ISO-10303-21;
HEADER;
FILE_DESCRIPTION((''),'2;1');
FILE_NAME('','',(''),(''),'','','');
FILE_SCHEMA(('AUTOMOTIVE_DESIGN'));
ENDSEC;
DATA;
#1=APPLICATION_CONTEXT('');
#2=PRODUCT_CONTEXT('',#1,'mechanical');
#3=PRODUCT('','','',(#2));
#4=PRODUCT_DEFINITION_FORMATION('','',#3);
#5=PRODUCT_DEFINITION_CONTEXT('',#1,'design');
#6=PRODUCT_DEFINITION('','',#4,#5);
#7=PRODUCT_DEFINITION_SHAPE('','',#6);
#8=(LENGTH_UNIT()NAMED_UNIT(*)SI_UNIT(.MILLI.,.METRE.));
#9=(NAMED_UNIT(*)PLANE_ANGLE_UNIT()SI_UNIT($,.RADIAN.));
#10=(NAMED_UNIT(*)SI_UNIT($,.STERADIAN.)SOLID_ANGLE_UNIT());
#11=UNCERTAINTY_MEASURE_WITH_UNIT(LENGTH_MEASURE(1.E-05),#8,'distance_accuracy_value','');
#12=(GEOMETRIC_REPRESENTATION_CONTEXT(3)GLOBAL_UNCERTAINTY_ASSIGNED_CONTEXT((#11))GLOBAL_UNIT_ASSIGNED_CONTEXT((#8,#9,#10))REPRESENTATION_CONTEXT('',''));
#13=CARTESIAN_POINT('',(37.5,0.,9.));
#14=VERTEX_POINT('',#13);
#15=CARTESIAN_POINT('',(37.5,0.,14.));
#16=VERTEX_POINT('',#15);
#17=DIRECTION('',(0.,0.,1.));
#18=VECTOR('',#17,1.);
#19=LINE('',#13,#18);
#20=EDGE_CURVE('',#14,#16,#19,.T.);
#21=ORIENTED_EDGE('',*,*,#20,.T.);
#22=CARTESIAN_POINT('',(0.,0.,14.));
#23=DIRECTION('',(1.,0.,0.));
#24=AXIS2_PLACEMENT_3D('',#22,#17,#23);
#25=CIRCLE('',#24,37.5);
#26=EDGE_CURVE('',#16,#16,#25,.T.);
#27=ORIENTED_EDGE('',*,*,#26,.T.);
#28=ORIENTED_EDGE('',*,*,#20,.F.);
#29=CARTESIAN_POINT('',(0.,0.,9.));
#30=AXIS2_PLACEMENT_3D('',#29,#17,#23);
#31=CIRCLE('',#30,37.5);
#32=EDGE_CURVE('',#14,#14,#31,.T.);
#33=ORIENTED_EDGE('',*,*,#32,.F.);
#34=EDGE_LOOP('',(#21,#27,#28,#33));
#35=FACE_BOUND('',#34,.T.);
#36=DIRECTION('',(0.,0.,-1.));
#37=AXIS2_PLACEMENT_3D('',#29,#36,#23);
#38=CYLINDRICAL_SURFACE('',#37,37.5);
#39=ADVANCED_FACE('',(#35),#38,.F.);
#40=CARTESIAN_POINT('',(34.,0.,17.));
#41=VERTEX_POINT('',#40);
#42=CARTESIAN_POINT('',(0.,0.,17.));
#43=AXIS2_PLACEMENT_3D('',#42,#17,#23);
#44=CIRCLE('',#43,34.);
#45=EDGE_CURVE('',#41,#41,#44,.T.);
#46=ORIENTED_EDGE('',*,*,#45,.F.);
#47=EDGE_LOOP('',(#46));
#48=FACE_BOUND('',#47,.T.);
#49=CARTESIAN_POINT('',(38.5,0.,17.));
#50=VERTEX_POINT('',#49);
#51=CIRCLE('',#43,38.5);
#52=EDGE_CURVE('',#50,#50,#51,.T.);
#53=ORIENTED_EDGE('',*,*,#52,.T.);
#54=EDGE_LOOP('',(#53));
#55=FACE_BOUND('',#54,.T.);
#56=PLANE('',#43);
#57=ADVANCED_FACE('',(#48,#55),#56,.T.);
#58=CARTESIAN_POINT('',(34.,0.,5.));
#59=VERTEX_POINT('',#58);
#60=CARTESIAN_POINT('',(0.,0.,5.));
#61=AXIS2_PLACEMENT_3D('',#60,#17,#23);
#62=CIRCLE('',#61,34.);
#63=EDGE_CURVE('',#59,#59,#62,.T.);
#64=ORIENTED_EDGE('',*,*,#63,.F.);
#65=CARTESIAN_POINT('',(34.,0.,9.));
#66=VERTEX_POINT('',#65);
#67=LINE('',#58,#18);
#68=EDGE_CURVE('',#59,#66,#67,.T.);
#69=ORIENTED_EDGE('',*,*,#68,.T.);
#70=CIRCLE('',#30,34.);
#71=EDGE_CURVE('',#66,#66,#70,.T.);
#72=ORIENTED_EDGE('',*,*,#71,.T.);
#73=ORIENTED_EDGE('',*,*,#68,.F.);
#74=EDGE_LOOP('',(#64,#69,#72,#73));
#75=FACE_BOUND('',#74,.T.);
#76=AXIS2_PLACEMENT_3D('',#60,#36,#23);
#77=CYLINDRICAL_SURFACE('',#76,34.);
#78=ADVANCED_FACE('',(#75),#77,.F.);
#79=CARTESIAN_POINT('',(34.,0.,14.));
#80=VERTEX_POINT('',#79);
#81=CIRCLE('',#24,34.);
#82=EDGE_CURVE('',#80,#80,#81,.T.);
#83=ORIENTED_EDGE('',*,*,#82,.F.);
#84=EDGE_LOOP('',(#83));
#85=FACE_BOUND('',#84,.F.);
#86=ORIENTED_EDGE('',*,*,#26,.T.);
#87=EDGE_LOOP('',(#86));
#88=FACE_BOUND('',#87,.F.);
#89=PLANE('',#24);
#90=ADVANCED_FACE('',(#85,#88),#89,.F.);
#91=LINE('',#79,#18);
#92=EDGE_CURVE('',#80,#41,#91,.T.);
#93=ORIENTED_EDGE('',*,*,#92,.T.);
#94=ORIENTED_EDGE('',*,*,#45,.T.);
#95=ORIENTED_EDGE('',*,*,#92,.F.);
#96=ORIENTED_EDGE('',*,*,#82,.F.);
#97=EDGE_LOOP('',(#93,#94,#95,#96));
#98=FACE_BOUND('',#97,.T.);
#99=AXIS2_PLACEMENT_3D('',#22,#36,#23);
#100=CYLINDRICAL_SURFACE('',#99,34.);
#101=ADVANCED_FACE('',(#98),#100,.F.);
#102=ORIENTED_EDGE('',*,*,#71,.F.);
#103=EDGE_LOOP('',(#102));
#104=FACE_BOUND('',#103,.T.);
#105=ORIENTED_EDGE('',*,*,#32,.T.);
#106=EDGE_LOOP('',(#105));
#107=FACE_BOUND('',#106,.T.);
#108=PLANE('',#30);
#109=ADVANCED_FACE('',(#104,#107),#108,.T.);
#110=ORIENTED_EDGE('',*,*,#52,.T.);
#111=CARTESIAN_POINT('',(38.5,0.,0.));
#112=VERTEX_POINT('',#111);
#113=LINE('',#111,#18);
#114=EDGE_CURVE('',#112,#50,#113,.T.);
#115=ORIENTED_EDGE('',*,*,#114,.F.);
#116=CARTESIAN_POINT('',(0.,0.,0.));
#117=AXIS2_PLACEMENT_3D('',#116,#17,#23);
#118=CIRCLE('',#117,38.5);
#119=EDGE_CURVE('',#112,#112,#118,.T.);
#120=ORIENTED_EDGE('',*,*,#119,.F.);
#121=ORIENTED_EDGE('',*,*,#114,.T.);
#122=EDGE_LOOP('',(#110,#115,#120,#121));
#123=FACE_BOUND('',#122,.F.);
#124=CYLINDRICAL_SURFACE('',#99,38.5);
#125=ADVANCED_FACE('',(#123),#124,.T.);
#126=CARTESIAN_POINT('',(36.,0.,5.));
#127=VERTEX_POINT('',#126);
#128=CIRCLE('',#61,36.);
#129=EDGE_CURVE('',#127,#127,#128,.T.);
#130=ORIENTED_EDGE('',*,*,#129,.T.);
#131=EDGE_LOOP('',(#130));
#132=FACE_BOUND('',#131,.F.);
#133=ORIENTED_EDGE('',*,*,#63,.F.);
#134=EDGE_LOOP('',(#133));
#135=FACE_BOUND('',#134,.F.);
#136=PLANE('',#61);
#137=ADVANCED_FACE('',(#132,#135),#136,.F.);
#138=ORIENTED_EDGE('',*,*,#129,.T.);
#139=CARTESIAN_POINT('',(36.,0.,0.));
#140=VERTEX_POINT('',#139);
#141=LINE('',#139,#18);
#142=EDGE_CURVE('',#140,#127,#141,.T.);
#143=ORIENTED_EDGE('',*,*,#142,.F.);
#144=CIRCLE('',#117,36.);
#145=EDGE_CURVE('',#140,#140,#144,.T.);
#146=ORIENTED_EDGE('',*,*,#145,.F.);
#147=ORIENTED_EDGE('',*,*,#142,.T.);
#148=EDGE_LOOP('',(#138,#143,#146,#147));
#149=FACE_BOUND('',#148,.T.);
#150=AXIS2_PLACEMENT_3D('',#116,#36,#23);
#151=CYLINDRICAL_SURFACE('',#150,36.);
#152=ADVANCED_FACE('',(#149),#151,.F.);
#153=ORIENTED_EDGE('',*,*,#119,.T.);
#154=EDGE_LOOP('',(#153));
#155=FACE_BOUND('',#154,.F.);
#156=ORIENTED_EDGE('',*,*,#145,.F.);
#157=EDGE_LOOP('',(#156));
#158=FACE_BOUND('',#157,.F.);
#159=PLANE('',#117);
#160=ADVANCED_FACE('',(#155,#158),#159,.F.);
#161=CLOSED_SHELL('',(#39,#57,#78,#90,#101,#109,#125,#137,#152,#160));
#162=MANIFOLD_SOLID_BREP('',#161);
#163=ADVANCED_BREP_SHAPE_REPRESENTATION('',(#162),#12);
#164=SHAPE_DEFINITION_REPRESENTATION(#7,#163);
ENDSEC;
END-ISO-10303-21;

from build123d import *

# Parameters (mm, degrees)
F0_R     = 38.5
F0_R_2   = 36
F1_DEPTH = 5
F2_R     = 38.5
F2_R_2   = 36
F2_R_3   = 34
F3_DEPTH = 4
F4_R     = 38.5
F4_R_2   = 37.5
F5_DEPTH = 5
F6_R     = 38.5
F6_R_2   = 34
F7_DEPTH = 3


with BuildPart() as f1:
    # F0 (on Top) → F1 (new body)
    with BuildSketch(Plane.XY):
        Circle(F0_R)
        Circle(F0_R_2, mode=Mode.SUBTRACT)
    extrude(amount=F1_DEPTH)

    # F2 (on face) → F3 (join)
    with BuildSketch(Plane.XY.offset(5)):
        Circle(F2_R)
        Circle(F2_R_2, mode=Mode.SUBTRACT)
        Circle(F2_R_2)
        Circle(F2_R_3, mode=Mode.SUBTRACT)
    extrude(amount=F3_DEPTH)

    # F4 (on face) → F5 (join)
    with BuildSketch(Plane.XY.offset(9)):
        Circle(F4_R)
        Circle(F4_R_2, mode=Mode.SUBTRACT)
    extrude(amount=F5_DEPTH)

    # F6 (on face) → F7 (join)
    with BuildSketch(Plane.XY.offset(14)):
        Circle(F6_R)
        Circle(F6_R_2, mode=Mode.SUBTRACT)
    extrude(amount=F7_DEPTH)


solid = f1.part
